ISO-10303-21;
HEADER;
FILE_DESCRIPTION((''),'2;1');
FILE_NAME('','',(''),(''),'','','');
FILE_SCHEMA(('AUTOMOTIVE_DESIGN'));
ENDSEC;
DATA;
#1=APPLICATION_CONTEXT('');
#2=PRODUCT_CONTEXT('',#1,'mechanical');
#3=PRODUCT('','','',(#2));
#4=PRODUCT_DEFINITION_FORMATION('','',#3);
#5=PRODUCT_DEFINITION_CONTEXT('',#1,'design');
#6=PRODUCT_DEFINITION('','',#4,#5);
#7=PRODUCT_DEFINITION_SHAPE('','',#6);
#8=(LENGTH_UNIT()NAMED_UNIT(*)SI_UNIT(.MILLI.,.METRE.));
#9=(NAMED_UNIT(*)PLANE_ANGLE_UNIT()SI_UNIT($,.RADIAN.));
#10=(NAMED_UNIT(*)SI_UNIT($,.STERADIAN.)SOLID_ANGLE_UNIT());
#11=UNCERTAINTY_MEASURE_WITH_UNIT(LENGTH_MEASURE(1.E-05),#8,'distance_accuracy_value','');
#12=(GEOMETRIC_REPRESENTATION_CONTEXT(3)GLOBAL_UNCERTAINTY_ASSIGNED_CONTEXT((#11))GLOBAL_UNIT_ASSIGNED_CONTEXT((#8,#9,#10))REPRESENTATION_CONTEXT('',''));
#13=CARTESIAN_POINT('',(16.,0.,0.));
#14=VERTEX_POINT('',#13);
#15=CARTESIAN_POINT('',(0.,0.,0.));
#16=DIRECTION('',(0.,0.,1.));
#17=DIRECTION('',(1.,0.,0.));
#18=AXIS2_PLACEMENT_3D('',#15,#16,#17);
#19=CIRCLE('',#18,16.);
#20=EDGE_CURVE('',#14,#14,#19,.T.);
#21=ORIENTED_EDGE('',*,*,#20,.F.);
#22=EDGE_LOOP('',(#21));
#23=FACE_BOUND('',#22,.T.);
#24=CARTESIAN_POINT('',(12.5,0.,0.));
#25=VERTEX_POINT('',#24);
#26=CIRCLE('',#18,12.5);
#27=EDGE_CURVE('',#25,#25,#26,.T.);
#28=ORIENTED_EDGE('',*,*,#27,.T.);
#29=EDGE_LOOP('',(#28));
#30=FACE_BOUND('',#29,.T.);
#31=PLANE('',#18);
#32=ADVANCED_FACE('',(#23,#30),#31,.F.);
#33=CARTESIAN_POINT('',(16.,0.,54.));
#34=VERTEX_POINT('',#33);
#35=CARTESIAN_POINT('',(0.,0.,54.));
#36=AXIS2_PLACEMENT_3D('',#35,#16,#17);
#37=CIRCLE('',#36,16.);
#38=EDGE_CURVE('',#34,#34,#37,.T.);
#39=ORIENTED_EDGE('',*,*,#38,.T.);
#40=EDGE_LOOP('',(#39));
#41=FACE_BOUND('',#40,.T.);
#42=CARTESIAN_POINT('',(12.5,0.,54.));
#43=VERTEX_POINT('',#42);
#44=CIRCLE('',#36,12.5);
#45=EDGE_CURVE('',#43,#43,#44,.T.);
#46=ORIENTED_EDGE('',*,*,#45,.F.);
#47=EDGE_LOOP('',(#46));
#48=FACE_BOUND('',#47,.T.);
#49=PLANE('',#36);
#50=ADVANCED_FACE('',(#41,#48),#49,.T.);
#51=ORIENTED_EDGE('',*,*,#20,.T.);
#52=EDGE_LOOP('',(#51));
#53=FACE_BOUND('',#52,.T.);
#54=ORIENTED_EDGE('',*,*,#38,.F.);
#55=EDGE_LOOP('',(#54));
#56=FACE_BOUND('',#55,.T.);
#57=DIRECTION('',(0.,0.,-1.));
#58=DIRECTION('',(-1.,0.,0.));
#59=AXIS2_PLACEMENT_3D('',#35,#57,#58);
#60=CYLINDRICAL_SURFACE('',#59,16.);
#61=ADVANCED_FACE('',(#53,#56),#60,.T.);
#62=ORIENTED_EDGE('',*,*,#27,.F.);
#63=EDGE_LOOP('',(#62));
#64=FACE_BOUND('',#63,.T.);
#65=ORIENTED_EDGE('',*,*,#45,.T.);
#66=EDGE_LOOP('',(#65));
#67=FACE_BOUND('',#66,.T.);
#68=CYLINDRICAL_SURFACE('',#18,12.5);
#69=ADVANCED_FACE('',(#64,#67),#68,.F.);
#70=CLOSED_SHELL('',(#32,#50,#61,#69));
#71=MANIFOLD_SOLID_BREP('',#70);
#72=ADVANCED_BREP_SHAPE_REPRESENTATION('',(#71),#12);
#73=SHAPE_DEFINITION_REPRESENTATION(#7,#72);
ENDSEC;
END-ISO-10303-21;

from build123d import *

# Parameters (mm, degrees)
SKETCH1_R           = 16
BOSS_EXTRUDE3_DEPTH = 54
SKETCH2_R           = 12.5
CUT_EXTRUDE2_DEPTH  = 54


with BuildPart() as part:
    # Sketch1 → Boss-Extrude3 (new body)
    with BuildSketch(Plane.XY):
        Circle(SKETCH1_R)
    extrude(amount=BOSS_EXTRUDE3_DEPTH)

    # Sketch2 → Cut-Extrude2 (cut)
    with BuildSketch(Plane.XY.offset(54)):
        Circle(SKETCH2_R)
    extrude(amount=-CUT_EXTRUDE2_DEPTH, mode=Mode.SUBTRACT)


solid = part.part
